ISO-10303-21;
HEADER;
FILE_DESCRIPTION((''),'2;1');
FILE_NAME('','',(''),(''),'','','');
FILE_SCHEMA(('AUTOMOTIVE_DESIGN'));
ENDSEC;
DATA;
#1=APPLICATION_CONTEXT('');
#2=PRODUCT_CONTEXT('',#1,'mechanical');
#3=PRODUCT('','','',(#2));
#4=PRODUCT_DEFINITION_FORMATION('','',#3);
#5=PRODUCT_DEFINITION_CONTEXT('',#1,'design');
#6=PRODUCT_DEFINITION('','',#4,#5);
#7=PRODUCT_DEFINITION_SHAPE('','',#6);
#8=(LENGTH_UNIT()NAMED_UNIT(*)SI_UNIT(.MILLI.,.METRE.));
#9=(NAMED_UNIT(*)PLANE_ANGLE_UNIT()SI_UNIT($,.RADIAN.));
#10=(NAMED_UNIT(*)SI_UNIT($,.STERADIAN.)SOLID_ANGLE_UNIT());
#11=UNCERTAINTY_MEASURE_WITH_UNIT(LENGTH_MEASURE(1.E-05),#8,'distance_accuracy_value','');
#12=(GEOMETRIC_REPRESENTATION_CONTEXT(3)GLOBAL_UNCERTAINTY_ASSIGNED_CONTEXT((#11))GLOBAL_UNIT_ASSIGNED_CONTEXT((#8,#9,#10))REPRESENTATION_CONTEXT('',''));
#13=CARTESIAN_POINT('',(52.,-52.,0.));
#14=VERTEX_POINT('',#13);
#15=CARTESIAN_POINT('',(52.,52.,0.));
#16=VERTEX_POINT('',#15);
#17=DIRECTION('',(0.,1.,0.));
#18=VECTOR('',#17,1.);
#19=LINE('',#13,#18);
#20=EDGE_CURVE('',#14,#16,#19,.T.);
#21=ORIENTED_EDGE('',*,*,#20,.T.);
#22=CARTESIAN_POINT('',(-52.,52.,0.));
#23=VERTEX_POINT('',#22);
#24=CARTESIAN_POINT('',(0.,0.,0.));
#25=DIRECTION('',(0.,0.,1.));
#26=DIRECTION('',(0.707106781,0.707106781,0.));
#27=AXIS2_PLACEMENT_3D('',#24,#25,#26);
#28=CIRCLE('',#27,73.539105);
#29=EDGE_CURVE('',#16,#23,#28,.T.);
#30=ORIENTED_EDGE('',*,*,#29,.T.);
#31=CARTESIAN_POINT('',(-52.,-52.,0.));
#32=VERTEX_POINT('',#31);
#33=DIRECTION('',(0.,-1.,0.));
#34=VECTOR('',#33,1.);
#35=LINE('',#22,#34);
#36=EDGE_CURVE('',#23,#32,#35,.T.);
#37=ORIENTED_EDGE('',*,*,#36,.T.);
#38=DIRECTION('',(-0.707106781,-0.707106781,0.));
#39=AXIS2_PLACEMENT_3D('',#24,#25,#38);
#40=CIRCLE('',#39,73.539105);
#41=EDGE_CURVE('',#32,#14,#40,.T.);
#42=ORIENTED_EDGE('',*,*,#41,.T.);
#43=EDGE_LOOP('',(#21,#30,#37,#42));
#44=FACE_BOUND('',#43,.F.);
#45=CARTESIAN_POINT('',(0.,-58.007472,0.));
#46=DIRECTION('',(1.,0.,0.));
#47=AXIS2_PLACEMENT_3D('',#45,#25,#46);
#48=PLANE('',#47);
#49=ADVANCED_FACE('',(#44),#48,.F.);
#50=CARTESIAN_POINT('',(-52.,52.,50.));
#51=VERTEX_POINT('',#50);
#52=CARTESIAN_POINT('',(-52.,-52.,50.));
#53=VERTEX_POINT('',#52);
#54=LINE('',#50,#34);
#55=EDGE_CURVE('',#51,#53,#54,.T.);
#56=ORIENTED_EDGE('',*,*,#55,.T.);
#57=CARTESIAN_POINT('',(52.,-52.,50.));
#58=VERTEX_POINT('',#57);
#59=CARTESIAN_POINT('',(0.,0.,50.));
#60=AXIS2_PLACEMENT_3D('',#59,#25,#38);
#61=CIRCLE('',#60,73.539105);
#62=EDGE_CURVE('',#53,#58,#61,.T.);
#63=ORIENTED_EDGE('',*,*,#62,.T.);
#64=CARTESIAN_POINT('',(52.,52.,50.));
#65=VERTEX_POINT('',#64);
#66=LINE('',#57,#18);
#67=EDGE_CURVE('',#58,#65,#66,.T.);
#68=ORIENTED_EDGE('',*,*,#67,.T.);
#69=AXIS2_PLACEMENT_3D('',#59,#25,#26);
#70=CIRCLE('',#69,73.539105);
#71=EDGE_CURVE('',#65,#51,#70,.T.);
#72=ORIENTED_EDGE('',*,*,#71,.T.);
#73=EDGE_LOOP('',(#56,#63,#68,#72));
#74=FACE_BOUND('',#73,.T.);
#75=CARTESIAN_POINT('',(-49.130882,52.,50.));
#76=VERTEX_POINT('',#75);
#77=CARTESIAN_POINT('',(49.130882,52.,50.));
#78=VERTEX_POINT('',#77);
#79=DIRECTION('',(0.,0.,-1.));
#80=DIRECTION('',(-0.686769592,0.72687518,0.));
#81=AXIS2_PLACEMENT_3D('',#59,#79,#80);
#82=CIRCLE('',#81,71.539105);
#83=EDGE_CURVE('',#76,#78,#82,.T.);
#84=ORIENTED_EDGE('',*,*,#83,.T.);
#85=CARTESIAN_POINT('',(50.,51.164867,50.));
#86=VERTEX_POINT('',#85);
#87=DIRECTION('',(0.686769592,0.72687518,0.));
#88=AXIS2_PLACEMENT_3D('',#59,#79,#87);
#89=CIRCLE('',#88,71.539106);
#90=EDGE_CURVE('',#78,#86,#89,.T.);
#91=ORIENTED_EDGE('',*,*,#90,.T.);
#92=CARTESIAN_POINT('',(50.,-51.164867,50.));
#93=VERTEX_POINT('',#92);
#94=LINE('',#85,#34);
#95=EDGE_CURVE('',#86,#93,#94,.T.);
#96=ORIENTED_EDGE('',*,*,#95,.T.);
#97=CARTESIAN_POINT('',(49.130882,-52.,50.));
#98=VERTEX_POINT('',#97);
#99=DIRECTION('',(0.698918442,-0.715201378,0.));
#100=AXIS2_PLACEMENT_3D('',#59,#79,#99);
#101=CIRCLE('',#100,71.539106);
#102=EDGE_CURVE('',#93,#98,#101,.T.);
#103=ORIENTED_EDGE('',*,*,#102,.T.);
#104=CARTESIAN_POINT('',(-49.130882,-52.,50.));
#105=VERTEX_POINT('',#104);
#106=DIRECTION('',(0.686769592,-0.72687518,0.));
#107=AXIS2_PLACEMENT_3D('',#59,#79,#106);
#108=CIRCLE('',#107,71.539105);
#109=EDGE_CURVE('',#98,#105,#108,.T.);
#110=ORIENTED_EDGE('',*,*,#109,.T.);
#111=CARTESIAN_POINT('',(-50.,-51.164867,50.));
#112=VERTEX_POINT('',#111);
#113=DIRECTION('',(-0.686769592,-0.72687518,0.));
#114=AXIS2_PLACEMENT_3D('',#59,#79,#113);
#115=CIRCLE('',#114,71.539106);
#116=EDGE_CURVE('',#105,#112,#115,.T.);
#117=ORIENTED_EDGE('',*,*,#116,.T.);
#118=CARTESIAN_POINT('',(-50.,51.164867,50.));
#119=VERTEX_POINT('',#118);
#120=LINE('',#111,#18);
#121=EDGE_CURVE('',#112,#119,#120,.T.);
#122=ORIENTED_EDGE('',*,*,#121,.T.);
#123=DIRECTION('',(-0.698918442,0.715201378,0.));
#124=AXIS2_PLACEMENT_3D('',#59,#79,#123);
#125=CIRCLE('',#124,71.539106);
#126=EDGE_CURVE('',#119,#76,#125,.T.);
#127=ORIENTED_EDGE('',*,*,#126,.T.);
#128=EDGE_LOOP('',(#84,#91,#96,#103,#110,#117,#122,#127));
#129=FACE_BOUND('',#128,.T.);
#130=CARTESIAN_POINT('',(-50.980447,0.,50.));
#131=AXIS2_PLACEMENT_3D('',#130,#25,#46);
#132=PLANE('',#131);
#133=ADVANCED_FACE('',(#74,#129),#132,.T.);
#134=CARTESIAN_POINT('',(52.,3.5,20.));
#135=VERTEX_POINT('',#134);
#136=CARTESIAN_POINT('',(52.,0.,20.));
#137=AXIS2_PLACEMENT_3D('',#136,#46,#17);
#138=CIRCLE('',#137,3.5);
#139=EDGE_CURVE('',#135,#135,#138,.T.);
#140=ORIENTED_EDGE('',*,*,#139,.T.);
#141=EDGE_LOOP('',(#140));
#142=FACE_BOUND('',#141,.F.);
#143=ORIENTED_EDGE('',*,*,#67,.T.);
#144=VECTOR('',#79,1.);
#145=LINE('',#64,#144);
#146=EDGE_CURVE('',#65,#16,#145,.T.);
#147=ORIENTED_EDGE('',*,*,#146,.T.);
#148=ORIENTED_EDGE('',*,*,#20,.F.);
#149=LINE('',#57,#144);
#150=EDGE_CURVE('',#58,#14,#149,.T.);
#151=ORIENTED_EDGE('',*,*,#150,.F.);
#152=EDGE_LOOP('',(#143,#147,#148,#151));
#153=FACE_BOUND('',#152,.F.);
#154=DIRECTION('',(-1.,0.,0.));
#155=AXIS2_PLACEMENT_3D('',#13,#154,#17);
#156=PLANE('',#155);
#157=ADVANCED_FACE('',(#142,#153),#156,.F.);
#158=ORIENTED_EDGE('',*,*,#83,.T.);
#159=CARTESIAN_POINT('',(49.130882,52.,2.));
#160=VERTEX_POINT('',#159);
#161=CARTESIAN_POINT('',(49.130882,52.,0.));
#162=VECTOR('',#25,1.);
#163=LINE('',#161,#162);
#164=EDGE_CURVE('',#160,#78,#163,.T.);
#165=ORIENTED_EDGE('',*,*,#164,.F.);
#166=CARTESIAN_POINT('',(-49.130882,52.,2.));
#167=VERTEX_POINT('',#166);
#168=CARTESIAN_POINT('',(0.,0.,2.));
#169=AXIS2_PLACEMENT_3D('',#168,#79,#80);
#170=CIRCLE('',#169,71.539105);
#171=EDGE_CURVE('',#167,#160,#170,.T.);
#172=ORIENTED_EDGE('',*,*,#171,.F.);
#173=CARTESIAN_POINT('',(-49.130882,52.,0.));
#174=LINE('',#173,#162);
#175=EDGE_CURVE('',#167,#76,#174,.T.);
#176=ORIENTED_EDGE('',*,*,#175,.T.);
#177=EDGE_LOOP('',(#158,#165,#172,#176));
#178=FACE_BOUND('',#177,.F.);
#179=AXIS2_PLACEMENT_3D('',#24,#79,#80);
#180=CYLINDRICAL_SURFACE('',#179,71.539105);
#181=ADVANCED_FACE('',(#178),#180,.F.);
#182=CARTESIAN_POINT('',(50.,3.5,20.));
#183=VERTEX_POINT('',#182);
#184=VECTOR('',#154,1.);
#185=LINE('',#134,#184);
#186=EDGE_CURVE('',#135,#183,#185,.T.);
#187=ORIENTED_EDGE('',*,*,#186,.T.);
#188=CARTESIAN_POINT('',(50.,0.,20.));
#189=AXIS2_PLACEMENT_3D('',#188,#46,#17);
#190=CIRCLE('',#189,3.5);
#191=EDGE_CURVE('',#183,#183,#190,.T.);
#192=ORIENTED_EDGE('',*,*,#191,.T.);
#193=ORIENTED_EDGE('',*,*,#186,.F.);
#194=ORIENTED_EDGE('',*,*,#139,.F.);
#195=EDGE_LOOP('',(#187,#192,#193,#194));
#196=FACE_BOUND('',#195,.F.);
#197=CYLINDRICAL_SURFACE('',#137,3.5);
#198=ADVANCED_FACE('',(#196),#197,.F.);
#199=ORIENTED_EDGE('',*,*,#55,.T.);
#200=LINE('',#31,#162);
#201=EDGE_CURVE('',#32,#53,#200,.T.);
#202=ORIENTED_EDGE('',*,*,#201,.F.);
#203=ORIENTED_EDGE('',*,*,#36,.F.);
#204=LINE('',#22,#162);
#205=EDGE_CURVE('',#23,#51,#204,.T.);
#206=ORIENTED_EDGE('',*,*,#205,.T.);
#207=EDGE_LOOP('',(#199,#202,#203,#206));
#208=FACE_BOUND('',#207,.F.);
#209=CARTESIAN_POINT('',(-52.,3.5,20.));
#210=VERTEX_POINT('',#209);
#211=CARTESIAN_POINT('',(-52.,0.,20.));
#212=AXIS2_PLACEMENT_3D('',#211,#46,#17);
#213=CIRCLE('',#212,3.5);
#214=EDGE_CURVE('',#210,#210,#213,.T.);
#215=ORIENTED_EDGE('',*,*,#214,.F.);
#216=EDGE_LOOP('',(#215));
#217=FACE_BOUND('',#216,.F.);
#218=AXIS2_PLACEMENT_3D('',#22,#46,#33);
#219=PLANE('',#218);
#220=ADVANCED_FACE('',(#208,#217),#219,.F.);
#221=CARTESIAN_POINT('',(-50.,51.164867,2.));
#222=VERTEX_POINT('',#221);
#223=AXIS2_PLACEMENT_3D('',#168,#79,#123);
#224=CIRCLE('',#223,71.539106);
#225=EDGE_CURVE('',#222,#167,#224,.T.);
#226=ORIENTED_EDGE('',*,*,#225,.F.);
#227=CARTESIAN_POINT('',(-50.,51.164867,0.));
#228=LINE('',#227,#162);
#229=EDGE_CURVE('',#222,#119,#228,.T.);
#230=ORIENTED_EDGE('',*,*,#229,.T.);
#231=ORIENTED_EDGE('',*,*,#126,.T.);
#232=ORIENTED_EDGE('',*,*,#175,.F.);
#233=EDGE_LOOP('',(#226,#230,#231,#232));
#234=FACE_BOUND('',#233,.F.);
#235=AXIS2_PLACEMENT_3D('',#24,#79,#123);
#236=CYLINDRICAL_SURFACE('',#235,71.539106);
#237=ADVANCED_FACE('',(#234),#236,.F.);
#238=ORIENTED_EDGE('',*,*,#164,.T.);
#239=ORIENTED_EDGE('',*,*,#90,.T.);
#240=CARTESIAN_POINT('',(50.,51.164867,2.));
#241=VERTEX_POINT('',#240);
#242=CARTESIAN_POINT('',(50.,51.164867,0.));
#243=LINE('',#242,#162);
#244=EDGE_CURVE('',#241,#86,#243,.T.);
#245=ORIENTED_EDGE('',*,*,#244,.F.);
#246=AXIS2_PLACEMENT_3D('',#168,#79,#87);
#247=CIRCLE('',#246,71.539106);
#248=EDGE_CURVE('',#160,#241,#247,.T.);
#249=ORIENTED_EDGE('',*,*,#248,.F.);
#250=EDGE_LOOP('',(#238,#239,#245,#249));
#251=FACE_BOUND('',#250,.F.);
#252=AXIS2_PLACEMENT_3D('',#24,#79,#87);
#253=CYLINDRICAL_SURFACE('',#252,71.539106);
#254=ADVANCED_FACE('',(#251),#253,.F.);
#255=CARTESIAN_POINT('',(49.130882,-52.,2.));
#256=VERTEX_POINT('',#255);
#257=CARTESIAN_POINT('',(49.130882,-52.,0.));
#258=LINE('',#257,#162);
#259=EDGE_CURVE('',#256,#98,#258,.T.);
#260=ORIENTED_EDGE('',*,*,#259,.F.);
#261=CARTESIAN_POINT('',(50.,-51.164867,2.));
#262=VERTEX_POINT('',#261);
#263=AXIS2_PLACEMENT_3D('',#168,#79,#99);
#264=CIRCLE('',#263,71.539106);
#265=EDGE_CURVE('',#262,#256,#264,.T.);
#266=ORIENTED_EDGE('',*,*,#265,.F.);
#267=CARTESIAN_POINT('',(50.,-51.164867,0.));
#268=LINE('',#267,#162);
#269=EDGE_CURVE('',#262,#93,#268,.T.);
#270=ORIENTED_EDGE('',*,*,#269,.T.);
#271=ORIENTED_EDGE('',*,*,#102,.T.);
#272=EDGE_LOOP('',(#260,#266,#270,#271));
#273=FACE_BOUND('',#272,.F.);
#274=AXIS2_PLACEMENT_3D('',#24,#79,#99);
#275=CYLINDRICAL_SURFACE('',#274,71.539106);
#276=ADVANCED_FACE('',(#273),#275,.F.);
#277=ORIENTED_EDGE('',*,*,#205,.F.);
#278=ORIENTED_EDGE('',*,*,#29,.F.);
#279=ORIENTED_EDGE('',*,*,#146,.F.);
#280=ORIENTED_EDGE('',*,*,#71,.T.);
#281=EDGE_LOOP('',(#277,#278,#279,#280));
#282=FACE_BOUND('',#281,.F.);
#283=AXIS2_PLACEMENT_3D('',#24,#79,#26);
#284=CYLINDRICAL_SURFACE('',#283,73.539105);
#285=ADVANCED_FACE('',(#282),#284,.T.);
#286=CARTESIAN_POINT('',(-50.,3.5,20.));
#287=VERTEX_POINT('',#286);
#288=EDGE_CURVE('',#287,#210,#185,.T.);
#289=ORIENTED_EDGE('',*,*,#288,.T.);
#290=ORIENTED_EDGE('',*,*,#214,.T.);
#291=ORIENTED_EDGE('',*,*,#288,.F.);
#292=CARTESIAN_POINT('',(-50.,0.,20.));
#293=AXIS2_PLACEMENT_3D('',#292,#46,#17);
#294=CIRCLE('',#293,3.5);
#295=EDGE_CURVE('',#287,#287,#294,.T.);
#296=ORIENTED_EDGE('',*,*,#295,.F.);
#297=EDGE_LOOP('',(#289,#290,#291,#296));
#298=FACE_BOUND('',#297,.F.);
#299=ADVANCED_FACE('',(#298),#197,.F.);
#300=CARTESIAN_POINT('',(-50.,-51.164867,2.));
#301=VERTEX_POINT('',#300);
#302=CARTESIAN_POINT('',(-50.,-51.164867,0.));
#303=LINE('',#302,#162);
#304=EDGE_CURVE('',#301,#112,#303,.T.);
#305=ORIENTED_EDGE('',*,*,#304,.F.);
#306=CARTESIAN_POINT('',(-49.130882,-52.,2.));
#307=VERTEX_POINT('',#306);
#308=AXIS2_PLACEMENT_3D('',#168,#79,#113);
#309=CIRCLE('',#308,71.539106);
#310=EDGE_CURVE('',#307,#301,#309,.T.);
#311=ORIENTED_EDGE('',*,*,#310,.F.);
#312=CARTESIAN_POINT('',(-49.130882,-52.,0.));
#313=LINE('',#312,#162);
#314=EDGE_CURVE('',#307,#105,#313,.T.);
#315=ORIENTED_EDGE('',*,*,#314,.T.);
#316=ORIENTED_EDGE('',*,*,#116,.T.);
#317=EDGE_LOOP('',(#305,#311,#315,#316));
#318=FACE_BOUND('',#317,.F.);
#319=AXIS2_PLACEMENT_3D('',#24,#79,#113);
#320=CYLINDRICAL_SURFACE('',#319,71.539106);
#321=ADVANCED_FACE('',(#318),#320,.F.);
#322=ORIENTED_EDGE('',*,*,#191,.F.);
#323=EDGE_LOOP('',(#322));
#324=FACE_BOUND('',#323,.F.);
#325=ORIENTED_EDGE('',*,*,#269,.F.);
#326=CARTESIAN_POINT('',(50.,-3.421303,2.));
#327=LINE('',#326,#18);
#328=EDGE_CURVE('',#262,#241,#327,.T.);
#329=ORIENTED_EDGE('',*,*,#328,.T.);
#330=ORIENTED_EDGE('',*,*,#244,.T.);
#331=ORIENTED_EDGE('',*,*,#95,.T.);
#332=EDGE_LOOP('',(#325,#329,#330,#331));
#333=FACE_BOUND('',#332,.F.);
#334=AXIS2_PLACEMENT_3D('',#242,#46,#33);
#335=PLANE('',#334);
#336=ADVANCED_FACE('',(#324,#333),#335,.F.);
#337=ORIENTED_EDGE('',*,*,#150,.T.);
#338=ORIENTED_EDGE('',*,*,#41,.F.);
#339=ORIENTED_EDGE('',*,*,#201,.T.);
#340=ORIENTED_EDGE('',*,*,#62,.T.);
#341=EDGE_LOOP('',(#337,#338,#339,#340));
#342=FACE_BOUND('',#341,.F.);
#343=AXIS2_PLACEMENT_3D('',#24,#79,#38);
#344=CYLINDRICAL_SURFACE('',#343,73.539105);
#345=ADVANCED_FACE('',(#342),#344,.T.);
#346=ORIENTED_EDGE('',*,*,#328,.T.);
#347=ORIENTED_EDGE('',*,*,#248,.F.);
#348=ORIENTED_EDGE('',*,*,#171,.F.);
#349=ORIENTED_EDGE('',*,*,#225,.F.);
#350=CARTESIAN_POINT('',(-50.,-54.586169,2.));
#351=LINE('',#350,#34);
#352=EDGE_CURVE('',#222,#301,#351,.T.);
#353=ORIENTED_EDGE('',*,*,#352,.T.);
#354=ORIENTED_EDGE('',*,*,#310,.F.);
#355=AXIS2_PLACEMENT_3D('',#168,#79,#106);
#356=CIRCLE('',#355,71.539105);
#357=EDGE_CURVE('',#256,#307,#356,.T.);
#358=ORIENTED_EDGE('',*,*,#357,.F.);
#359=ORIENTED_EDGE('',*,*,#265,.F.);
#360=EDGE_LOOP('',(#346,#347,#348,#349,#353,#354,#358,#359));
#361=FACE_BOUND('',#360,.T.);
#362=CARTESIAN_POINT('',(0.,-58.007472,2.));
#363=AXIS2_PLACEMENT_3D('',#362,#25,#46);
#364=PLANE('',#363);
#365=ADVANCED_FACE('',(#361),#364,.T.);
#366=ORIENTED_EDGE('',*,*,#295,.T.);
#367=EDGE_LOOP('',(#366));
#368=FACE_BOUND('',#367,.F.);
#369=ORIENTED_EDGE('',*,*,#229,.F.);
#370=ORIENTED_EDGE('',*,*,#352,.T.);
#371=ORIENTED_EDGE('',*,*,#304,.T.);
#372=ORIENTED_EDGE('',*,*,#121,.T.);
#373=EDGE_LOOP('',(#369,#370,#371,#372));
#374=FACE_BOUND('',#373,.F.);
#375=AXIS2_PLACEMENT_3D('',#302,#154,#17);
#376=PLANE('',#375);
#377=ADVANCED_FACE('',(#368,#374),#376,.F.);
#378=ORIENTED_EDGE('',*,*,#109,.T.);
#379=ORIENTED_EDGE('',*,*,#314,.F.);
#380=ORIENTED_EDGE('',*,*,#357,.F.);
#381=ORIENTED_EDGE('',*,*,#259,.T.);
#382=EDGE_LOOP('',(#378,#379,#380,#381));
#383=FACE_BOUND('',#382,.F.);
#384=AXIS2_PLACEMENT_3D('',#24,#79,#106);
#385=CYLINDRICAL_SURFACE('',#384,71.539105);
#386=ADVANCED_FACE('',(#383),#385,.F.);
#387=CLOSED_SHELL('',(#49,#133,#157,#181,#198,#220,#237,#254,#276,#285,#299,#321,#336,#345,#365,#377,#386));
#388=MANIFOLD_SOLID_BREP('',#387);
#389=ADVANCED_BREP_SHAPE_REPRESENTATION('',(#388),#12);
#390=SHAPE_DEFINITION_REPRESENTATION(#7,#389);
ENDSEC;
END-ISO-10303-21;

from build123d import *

# Parameters (mm, degrees)
F0_W     = 100
F0_H     = 100
F1_DEPTH = 2
F2_DEPTH = 50
F3_R     = 3.5
F4_DEPTH = 104.001


with BuildPart() as f1:
    # F0 (on Top) → F1 (new body)
    with BuildSketch(Plane.XY):
        with BuildLine():
            ThreePointArc((-49.1308821316, -52), (0, -71.5391052434), (49.1308821316, -52))
            Line((49.1308821316, -52), (-49.1308821316, -52))
        make_face()
        Rectangle(F0_W, F0_H)
        with BuildLine():
            Line((-49.1308821316, 52), (49.1308821316, 52))
            ThreePointArc((49.1308821316, 52), (0, 71.5391052434), (-49.1308821316, 52))
        make_face()
        with BuildLine():
            Line((49.1308821316, 52), (52, 52))
            ThreePointArc((52, 52), (0, 73.5391052434), (-52, 52))
            Line((-52, 52), (-49.1308821316, 52))
            ThreePointArc((-49.1308821316, 52), (0, 71.5391052434), (49.1308821316, 52))
        make_face()
        with BuildLine():
            ThreePointArc((50, 51.1648666472), (49.5671999408, 51.5842637735), (49.1308821316, 52))
            Line((49.1308821316, 52), (-49.1308821316, 52))
            ThreePointArc((-49.1308821316, 52), (-49.5671999408, 51.5842637735), (-50, 51.1648666472))
            Line((-50, 51.1648666472), (-50, 50))
            Line((-50, 50), (50, 50))
            Line((50, 50), (50, 51.1648666472))
        make_face()
        with BuildLine():
            Line((-49.1308821316, 52), (-52, 52))
            Line((-52, 52), (-52, 49.1308821316))
            ThreePointArc((-52, 49.1308821316), (-51.010138926, 50.1578439107), (-50, 51.1648666472))
            ThreePointArc((-50, 51.1648666472), (-49.5671999408, 51.5842637735), (-49.1308821316, 52))
        make_face()
        with BuildLine():
            Line((52, 49.1308821316), (52, 52))
            Line((52, 52), (49.1308821316, 52))
            ThreePointArc((49.1308821316, 52), (49.5671999408, 51.5842637735), (50, 51.1648666472))
            ThreePointArc((50, 51.1648666472), (51.010138926, 50.1578439107), (52, 49.1308821316))
        make_face()
        with BuildLine():
            Line((49.1308821316, -52), (52, -52))
            Line((52, -52), (52, -49.1308821316))
            ThreePointArc((52, -49.1308821316), (51.010138926, -50.1578439107), (50, -51.1648666472))
            ThreePointArc((50, -51.1648666472), (49.5671999408, -51.5842637735), (49.1308821316, -52))
        make_face()
        with BuildLine():
            ThreePointArc((-52, -52), (0, -73.5391052434), (52, -52))
            Line((52, -52), (49.1308821316, -52))
            ThreePointArc((49.1308821316, -52), (0, -71.5391052434), (-49.1308821316, -52))
            Line((-49.1308821316, -52), (-52, -52))
        make_face()
        with BuildLine():
            Line((-52, -49.1308821316), (-52, -52))
            Line((-52, -52), (-49.1308821316, -52))
            ThreePointArc((-49.1308821316, -52), (-49.5671999408, -51.5842637735), (-50, -51.1648666472))
            ThreePointArc((-50, -51.1648666472), (-51.010138926, -50.1578439107), (-52, -49.1308821316))
        make_face()
        with BuildLine():
            ThreePointArc((-50, 51.1648666472), (-51.010138926, 50.1578439107), (-52, 49.1308821316))
            Line((-52, 49.1308821316), (-52, -49.1308821316))
            ThreePointArc((-52, -49.1308821316), (-51.010138926, -50.1578439107), (-50, -51.1648666472))
            Line((-50, -51.1648666472), (-50, -50))
            Line((-50, -50), (-50, 50))
            Line((-50, 50), (-50, 51.1648666472))
        make_face()
        with BuildLine():
            Line((52, -49.1308821316), (52, 49.1308821316))
            ThreePointArc((52, 49.1308821316), (51.010138926, 50.1578439107), (50, 51.1648666472))
            Line((50, 51.1648666472), (50, 50))
            Line((50, 50), (50, -50))
            Line((50, -50), (50, -51.1648666472))
            ThreePointArc((50, -51.1648666472), (51.010138926, -50.1578439107), (52, -49.1308821316))
        make_face()
        with BuildLine():
            Line((-49.1308821316, -52), (49.1308821316, -52))
            ThreePointArc((49.1308821316, -52), (49.5671999408, -51.5842637735), (50, -51.1648666472))
            Line((50, -51.1648666472), (50, -50))
            Line((50, -50), (-50, -50))
            Line((-50, -50), (-50, -51.1648666472))
            ThreePointArc((-50, -51.1648666472), (-49.5671999408, -51.5842637735), (-49.1308821316, -52))
        make_face()
    extrude(amount=F1_DEPTH)

    # F0 (on Top) → F2 (join)
    with BuildSketch(Plane.XY):
        with BuildLine():
            ThreePointArc((-50, 51.1648666472), (-51.010138926, 50.1578439107), (-52, 49.1308821316))
            Line((-52, 49.1308821316), (-52, -49.1308821316))
            ThreePointArc((-52, -49.1308821316), (-51.010138926, -50.1578439107), (-50, -51.1648666472))
            Line((-50, -51.1648666472), (-50, -50))
            Line((-50, -50), (-50, 50))
            Line((-50, 50), (-50, 51.1648666472))
        make_face()
        with BuildLine():
            Line((-49.1308821316, 52), (-52, 52))
            Line((-52, 52), (-52, 49.1308821316))
            ThreePointArc((-52, 49.1308821316), (-51.010138926, 50.1578439107), (-50, 51.1648666472))
            ThreePointArc((-50, 51.1648666472), (-49.5671999408, 51.5842637735), (-49.1308821316, 52))
        make_face()
        with BuildLine():
            Line((49.1308821316, 52), (52, 52))
            ThreePointArc((52, 52), (0, 73.5391052434), (-52, 52))
            Line((-52, 52), (-49.1308821316, 52))
            ThreePointArc((-49.1308821316, 52), (0, 71.5391052434), (49.1308821316, 52))
        make_face()
        with BuildLine():
            Line((52, -49.1308821316), (52, 49.1308821316))
            ThreePointArc((52, 49.1308821316), (51.010138926, 50.1578439107), (50, 51.1648666472))
            Line((50, 51.1648666472), (50, 50))
            Line((50, 50), (50, -50))
            Line((50, -50), (50, -51.1648666472))
            ThreePointArc((50, -51.1648666472), (51.010138926, -50.1578439107), (52, -49.1308821316))
        make_face()
        with BuildLine():
            Line((52, 49.1308821316), (52, 52))
            Line((52, 52), (49.1308821316, 52))
            ThreePointArc((49.1308821316, 52), (49.5671999408, 51.5842637735), (50, 51.1648666472))
            ThreePointArc((50, 51.1648666472), (51.010138926, 50.1578439107), (52, 49.1308821316))
        make_face()
        with BuildLine():
            Line((49.1308821316, -52), (52, -52))
            Line((52, -52), (52, -49.1308821316))
            ThreePointArc((52, -49.1308821316), (51.010138926, -50.1578439107), (50, -51.1648666472))
            ThreePointArc((50, -51.1648666472), (49.5671999408, -51.5842637735), (49.1308821316, -52))
        make_face()
        with BuildLine():
            ThreePointArc((-52, -52), (0, -73.5391052434), (52, -52))
            Line((52, -52), (49.1308821316, -52))
            ThreePointArc((49.1308821316, -52), (0, -71.5391052434), (-49.1308821316, -52))
            Line((-49.1308821316, -52), (-52, -52))
        make_face()
        with BuildLine():
            Line((-52, -49.1308821316), (-52, -52))
            Line((-52, -52), (-49.1308821316, -52))
            ThreePointArc((-49.1308821316, -52), (-49.5671999408, -51.5842637735), (-50, -51.1648666472))
            ThreePointArc((-50, -51.1648666472), (-51.010138926, -50.1578439107), (-52, -49.1308821316))
        make_face()
    extrude(amount=F2_DEPTH)

    # F3 (on face) → F4 (cut, through all)
    with BuildSketch(Plane.YZ.offset(52)):
        with Locations((0, 20)):
            Circle(F3_R)
    extrude(amount=-F4_DEPTH, mode=Mode.SUBTRACT)


solid = f1.part
